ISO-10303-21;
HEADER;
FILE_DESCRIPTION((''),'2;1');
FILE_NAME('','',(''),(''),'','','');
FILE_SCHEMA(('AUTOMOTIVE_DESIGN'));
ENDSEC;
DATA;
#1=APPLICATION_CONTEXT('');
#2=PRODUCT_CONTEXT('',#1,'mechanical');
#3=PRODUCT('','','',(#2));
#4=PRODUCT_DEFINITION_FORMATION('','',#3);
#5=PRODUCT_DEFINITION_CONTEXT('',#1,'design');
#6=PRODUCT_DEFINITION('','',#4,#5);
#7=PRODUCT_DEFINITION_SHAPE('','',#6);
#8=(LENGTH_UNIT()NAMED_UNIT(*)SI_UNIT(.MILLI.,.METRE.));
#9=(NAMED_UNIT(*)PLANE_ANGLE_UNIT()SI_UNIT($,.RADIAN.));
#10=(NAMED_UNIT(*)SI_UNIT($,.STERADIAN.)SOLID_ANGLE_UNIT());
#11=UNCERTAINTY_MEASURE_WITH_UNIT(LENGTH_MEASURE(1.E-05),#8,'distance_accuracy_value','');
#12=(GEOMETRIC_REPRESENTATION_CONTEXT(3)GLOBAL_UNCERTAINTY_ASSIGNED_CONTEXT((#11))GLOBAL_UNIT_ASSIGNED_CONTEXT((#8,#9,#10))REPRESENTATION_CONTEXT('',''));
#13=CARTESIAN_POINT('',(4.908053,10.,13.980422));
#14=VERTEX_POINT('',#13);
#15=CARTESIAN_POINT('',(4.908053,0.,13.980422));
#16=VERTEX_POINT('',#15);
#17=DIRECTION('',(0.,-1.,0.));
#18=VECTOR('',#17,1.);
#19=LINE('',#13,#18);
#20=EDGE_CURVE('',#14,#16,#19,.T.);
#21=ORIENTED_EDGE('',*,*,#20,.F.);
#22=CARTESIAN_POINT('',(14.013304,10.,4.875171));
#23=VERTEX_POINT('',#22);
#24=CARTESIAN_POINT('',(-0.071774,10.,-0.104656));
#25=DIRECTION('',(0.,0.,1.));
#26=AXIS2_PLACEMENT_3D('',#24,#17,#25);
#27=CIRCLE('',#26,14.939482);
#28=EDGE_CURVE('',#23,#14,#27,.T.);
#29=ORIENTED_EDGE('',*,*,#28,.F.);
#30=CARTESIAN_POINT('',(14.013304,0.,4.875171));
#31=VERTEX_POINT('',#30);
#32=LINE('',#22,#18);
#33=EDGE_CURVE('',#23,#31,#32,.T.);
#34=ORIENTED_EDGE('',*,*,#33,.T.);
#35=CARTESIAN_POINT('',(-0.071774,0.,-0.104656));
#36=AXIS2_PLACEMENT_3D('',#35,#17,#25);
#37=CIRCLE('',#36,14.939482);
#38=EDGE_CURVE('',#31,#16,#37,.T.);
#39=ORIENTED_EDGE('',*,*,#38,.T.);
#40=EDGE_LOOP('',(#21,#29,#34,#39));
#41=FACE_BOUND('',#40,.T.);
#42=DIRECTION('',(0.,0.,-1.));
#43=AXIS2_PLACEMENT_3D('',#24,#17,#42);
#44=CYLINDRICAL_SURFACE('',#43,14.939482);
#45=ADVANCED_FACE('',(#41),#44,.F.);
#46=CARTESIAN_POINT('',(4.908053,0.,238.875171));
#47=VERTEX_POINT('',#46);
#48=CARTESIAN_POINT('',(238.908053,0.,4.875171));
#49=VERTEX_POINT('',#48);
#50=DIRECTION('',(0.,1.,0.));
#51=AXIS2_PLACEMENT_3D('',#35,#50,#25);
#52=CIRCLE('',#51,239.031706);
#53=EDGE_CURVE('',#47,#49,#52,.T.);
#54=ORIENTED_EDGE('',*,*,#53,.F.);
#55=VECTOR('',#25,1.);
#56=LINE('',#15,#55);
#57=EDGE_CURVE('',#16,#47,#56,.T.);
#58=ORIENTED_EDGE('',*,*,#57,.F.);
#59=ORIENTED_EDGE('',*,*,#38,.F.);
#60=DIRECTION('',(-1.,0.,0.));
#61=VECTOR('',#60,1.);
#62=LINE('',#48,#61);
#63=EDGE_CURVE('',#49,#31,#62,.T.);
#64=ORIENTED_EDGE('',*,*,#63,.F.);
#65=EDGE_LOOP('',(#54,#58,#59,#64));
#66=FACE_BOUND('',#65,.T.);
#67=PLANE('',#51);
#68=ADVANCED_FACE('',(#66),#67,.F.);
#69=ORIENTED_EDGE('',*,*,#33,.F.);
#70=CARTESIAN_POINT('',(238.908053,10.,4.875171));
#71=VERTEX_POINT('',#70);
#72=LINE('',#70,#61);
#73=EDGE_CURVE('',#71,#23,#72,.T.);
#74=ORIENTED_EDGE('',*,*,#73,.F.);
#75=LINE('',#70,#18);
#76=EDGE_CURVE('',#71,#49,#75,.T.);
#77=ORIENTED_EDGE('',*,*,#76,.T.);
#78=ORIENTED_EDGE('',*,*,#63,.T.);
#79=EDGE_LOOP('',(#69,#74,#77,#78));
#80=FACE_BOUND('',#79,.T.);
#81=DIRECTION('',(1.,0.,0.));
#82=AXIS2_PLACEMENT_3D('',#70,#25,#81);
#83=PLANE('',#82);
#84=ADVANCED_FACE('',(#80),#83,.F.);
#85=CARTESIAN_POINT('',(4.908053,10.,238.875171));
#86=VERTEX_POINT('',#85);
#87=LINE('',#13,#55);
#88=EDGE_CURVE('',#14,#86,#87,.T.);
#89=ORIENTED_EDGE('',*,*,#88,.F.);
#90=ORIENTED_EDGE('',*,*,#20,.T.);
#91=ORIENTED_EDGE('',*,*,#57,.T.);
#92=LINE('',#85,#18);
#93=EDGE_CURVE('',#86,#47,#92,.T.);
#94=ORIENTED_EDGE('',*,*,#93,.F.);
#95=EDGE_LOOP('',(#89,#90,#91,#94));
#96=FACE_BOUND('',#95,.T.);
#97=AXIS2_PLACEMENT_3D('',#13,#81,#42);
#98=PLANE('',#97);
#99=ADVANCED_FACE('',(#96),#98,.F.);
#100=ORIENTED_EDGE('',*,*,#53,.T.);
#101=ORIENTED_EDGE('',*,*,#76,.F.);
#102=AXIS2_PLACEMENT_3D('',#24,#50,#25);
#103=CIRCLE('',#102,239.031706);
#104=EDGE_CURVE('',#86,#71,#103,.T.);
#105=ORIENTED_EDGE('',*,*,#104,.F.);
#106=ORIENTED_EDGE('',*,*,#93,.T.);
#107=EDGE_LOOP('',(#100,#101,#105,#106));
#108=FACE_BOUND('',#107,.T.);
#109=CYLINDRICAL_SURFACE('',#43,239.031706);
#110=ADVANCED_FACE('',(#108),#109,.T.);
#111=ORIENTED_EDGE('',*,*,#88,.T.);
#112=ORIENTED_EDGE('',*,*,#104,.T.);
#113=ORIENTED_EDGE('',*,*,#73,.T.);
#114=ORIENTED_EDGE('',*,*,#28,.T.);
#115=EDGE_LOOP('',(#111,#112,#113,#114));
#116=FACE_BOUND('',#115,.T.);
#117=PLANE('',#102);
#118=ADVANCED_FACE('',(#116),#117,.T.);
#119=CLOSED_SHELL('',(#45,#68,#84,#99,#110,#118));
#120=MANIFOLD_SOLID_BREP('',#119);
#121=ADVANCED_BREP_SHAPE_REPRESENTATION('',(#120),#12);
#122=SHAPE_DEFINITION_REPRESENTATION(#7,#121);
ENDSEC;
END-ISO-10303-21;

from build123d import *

# Parameters (mm, degrees)
SALIENTE_EXTRUIR1_DEPTH = 10


with BuildPart() as part:
    # Croquis1 → Saliente-Extruir1 (new body)
    with BuildSketch(Plane(origin=(0, 0, 0), x_dir=(1, 0, 0), z_dir=(0, 1, 0))):
        with BuildLine():
            Line((238.908053027, -4.875171273), (14.013304172, -4.875171273))
            ThreePointArc((14.013304172, -4.875171273), (10.492034584, -10.45915283), (4.908053027, -13.980422419))
            Line((4.908053027, -13.980422419), (4.908053027, -238.875171273))
            ThreePointArc((4.908053027, -238.875171273), (168.949166076, -168.916284323), (238.908053027, -4.875171273))
        make_face()
    extrude(amount=SALIENTE_EXTRUIR1_DEPTH)


solid = part.part
